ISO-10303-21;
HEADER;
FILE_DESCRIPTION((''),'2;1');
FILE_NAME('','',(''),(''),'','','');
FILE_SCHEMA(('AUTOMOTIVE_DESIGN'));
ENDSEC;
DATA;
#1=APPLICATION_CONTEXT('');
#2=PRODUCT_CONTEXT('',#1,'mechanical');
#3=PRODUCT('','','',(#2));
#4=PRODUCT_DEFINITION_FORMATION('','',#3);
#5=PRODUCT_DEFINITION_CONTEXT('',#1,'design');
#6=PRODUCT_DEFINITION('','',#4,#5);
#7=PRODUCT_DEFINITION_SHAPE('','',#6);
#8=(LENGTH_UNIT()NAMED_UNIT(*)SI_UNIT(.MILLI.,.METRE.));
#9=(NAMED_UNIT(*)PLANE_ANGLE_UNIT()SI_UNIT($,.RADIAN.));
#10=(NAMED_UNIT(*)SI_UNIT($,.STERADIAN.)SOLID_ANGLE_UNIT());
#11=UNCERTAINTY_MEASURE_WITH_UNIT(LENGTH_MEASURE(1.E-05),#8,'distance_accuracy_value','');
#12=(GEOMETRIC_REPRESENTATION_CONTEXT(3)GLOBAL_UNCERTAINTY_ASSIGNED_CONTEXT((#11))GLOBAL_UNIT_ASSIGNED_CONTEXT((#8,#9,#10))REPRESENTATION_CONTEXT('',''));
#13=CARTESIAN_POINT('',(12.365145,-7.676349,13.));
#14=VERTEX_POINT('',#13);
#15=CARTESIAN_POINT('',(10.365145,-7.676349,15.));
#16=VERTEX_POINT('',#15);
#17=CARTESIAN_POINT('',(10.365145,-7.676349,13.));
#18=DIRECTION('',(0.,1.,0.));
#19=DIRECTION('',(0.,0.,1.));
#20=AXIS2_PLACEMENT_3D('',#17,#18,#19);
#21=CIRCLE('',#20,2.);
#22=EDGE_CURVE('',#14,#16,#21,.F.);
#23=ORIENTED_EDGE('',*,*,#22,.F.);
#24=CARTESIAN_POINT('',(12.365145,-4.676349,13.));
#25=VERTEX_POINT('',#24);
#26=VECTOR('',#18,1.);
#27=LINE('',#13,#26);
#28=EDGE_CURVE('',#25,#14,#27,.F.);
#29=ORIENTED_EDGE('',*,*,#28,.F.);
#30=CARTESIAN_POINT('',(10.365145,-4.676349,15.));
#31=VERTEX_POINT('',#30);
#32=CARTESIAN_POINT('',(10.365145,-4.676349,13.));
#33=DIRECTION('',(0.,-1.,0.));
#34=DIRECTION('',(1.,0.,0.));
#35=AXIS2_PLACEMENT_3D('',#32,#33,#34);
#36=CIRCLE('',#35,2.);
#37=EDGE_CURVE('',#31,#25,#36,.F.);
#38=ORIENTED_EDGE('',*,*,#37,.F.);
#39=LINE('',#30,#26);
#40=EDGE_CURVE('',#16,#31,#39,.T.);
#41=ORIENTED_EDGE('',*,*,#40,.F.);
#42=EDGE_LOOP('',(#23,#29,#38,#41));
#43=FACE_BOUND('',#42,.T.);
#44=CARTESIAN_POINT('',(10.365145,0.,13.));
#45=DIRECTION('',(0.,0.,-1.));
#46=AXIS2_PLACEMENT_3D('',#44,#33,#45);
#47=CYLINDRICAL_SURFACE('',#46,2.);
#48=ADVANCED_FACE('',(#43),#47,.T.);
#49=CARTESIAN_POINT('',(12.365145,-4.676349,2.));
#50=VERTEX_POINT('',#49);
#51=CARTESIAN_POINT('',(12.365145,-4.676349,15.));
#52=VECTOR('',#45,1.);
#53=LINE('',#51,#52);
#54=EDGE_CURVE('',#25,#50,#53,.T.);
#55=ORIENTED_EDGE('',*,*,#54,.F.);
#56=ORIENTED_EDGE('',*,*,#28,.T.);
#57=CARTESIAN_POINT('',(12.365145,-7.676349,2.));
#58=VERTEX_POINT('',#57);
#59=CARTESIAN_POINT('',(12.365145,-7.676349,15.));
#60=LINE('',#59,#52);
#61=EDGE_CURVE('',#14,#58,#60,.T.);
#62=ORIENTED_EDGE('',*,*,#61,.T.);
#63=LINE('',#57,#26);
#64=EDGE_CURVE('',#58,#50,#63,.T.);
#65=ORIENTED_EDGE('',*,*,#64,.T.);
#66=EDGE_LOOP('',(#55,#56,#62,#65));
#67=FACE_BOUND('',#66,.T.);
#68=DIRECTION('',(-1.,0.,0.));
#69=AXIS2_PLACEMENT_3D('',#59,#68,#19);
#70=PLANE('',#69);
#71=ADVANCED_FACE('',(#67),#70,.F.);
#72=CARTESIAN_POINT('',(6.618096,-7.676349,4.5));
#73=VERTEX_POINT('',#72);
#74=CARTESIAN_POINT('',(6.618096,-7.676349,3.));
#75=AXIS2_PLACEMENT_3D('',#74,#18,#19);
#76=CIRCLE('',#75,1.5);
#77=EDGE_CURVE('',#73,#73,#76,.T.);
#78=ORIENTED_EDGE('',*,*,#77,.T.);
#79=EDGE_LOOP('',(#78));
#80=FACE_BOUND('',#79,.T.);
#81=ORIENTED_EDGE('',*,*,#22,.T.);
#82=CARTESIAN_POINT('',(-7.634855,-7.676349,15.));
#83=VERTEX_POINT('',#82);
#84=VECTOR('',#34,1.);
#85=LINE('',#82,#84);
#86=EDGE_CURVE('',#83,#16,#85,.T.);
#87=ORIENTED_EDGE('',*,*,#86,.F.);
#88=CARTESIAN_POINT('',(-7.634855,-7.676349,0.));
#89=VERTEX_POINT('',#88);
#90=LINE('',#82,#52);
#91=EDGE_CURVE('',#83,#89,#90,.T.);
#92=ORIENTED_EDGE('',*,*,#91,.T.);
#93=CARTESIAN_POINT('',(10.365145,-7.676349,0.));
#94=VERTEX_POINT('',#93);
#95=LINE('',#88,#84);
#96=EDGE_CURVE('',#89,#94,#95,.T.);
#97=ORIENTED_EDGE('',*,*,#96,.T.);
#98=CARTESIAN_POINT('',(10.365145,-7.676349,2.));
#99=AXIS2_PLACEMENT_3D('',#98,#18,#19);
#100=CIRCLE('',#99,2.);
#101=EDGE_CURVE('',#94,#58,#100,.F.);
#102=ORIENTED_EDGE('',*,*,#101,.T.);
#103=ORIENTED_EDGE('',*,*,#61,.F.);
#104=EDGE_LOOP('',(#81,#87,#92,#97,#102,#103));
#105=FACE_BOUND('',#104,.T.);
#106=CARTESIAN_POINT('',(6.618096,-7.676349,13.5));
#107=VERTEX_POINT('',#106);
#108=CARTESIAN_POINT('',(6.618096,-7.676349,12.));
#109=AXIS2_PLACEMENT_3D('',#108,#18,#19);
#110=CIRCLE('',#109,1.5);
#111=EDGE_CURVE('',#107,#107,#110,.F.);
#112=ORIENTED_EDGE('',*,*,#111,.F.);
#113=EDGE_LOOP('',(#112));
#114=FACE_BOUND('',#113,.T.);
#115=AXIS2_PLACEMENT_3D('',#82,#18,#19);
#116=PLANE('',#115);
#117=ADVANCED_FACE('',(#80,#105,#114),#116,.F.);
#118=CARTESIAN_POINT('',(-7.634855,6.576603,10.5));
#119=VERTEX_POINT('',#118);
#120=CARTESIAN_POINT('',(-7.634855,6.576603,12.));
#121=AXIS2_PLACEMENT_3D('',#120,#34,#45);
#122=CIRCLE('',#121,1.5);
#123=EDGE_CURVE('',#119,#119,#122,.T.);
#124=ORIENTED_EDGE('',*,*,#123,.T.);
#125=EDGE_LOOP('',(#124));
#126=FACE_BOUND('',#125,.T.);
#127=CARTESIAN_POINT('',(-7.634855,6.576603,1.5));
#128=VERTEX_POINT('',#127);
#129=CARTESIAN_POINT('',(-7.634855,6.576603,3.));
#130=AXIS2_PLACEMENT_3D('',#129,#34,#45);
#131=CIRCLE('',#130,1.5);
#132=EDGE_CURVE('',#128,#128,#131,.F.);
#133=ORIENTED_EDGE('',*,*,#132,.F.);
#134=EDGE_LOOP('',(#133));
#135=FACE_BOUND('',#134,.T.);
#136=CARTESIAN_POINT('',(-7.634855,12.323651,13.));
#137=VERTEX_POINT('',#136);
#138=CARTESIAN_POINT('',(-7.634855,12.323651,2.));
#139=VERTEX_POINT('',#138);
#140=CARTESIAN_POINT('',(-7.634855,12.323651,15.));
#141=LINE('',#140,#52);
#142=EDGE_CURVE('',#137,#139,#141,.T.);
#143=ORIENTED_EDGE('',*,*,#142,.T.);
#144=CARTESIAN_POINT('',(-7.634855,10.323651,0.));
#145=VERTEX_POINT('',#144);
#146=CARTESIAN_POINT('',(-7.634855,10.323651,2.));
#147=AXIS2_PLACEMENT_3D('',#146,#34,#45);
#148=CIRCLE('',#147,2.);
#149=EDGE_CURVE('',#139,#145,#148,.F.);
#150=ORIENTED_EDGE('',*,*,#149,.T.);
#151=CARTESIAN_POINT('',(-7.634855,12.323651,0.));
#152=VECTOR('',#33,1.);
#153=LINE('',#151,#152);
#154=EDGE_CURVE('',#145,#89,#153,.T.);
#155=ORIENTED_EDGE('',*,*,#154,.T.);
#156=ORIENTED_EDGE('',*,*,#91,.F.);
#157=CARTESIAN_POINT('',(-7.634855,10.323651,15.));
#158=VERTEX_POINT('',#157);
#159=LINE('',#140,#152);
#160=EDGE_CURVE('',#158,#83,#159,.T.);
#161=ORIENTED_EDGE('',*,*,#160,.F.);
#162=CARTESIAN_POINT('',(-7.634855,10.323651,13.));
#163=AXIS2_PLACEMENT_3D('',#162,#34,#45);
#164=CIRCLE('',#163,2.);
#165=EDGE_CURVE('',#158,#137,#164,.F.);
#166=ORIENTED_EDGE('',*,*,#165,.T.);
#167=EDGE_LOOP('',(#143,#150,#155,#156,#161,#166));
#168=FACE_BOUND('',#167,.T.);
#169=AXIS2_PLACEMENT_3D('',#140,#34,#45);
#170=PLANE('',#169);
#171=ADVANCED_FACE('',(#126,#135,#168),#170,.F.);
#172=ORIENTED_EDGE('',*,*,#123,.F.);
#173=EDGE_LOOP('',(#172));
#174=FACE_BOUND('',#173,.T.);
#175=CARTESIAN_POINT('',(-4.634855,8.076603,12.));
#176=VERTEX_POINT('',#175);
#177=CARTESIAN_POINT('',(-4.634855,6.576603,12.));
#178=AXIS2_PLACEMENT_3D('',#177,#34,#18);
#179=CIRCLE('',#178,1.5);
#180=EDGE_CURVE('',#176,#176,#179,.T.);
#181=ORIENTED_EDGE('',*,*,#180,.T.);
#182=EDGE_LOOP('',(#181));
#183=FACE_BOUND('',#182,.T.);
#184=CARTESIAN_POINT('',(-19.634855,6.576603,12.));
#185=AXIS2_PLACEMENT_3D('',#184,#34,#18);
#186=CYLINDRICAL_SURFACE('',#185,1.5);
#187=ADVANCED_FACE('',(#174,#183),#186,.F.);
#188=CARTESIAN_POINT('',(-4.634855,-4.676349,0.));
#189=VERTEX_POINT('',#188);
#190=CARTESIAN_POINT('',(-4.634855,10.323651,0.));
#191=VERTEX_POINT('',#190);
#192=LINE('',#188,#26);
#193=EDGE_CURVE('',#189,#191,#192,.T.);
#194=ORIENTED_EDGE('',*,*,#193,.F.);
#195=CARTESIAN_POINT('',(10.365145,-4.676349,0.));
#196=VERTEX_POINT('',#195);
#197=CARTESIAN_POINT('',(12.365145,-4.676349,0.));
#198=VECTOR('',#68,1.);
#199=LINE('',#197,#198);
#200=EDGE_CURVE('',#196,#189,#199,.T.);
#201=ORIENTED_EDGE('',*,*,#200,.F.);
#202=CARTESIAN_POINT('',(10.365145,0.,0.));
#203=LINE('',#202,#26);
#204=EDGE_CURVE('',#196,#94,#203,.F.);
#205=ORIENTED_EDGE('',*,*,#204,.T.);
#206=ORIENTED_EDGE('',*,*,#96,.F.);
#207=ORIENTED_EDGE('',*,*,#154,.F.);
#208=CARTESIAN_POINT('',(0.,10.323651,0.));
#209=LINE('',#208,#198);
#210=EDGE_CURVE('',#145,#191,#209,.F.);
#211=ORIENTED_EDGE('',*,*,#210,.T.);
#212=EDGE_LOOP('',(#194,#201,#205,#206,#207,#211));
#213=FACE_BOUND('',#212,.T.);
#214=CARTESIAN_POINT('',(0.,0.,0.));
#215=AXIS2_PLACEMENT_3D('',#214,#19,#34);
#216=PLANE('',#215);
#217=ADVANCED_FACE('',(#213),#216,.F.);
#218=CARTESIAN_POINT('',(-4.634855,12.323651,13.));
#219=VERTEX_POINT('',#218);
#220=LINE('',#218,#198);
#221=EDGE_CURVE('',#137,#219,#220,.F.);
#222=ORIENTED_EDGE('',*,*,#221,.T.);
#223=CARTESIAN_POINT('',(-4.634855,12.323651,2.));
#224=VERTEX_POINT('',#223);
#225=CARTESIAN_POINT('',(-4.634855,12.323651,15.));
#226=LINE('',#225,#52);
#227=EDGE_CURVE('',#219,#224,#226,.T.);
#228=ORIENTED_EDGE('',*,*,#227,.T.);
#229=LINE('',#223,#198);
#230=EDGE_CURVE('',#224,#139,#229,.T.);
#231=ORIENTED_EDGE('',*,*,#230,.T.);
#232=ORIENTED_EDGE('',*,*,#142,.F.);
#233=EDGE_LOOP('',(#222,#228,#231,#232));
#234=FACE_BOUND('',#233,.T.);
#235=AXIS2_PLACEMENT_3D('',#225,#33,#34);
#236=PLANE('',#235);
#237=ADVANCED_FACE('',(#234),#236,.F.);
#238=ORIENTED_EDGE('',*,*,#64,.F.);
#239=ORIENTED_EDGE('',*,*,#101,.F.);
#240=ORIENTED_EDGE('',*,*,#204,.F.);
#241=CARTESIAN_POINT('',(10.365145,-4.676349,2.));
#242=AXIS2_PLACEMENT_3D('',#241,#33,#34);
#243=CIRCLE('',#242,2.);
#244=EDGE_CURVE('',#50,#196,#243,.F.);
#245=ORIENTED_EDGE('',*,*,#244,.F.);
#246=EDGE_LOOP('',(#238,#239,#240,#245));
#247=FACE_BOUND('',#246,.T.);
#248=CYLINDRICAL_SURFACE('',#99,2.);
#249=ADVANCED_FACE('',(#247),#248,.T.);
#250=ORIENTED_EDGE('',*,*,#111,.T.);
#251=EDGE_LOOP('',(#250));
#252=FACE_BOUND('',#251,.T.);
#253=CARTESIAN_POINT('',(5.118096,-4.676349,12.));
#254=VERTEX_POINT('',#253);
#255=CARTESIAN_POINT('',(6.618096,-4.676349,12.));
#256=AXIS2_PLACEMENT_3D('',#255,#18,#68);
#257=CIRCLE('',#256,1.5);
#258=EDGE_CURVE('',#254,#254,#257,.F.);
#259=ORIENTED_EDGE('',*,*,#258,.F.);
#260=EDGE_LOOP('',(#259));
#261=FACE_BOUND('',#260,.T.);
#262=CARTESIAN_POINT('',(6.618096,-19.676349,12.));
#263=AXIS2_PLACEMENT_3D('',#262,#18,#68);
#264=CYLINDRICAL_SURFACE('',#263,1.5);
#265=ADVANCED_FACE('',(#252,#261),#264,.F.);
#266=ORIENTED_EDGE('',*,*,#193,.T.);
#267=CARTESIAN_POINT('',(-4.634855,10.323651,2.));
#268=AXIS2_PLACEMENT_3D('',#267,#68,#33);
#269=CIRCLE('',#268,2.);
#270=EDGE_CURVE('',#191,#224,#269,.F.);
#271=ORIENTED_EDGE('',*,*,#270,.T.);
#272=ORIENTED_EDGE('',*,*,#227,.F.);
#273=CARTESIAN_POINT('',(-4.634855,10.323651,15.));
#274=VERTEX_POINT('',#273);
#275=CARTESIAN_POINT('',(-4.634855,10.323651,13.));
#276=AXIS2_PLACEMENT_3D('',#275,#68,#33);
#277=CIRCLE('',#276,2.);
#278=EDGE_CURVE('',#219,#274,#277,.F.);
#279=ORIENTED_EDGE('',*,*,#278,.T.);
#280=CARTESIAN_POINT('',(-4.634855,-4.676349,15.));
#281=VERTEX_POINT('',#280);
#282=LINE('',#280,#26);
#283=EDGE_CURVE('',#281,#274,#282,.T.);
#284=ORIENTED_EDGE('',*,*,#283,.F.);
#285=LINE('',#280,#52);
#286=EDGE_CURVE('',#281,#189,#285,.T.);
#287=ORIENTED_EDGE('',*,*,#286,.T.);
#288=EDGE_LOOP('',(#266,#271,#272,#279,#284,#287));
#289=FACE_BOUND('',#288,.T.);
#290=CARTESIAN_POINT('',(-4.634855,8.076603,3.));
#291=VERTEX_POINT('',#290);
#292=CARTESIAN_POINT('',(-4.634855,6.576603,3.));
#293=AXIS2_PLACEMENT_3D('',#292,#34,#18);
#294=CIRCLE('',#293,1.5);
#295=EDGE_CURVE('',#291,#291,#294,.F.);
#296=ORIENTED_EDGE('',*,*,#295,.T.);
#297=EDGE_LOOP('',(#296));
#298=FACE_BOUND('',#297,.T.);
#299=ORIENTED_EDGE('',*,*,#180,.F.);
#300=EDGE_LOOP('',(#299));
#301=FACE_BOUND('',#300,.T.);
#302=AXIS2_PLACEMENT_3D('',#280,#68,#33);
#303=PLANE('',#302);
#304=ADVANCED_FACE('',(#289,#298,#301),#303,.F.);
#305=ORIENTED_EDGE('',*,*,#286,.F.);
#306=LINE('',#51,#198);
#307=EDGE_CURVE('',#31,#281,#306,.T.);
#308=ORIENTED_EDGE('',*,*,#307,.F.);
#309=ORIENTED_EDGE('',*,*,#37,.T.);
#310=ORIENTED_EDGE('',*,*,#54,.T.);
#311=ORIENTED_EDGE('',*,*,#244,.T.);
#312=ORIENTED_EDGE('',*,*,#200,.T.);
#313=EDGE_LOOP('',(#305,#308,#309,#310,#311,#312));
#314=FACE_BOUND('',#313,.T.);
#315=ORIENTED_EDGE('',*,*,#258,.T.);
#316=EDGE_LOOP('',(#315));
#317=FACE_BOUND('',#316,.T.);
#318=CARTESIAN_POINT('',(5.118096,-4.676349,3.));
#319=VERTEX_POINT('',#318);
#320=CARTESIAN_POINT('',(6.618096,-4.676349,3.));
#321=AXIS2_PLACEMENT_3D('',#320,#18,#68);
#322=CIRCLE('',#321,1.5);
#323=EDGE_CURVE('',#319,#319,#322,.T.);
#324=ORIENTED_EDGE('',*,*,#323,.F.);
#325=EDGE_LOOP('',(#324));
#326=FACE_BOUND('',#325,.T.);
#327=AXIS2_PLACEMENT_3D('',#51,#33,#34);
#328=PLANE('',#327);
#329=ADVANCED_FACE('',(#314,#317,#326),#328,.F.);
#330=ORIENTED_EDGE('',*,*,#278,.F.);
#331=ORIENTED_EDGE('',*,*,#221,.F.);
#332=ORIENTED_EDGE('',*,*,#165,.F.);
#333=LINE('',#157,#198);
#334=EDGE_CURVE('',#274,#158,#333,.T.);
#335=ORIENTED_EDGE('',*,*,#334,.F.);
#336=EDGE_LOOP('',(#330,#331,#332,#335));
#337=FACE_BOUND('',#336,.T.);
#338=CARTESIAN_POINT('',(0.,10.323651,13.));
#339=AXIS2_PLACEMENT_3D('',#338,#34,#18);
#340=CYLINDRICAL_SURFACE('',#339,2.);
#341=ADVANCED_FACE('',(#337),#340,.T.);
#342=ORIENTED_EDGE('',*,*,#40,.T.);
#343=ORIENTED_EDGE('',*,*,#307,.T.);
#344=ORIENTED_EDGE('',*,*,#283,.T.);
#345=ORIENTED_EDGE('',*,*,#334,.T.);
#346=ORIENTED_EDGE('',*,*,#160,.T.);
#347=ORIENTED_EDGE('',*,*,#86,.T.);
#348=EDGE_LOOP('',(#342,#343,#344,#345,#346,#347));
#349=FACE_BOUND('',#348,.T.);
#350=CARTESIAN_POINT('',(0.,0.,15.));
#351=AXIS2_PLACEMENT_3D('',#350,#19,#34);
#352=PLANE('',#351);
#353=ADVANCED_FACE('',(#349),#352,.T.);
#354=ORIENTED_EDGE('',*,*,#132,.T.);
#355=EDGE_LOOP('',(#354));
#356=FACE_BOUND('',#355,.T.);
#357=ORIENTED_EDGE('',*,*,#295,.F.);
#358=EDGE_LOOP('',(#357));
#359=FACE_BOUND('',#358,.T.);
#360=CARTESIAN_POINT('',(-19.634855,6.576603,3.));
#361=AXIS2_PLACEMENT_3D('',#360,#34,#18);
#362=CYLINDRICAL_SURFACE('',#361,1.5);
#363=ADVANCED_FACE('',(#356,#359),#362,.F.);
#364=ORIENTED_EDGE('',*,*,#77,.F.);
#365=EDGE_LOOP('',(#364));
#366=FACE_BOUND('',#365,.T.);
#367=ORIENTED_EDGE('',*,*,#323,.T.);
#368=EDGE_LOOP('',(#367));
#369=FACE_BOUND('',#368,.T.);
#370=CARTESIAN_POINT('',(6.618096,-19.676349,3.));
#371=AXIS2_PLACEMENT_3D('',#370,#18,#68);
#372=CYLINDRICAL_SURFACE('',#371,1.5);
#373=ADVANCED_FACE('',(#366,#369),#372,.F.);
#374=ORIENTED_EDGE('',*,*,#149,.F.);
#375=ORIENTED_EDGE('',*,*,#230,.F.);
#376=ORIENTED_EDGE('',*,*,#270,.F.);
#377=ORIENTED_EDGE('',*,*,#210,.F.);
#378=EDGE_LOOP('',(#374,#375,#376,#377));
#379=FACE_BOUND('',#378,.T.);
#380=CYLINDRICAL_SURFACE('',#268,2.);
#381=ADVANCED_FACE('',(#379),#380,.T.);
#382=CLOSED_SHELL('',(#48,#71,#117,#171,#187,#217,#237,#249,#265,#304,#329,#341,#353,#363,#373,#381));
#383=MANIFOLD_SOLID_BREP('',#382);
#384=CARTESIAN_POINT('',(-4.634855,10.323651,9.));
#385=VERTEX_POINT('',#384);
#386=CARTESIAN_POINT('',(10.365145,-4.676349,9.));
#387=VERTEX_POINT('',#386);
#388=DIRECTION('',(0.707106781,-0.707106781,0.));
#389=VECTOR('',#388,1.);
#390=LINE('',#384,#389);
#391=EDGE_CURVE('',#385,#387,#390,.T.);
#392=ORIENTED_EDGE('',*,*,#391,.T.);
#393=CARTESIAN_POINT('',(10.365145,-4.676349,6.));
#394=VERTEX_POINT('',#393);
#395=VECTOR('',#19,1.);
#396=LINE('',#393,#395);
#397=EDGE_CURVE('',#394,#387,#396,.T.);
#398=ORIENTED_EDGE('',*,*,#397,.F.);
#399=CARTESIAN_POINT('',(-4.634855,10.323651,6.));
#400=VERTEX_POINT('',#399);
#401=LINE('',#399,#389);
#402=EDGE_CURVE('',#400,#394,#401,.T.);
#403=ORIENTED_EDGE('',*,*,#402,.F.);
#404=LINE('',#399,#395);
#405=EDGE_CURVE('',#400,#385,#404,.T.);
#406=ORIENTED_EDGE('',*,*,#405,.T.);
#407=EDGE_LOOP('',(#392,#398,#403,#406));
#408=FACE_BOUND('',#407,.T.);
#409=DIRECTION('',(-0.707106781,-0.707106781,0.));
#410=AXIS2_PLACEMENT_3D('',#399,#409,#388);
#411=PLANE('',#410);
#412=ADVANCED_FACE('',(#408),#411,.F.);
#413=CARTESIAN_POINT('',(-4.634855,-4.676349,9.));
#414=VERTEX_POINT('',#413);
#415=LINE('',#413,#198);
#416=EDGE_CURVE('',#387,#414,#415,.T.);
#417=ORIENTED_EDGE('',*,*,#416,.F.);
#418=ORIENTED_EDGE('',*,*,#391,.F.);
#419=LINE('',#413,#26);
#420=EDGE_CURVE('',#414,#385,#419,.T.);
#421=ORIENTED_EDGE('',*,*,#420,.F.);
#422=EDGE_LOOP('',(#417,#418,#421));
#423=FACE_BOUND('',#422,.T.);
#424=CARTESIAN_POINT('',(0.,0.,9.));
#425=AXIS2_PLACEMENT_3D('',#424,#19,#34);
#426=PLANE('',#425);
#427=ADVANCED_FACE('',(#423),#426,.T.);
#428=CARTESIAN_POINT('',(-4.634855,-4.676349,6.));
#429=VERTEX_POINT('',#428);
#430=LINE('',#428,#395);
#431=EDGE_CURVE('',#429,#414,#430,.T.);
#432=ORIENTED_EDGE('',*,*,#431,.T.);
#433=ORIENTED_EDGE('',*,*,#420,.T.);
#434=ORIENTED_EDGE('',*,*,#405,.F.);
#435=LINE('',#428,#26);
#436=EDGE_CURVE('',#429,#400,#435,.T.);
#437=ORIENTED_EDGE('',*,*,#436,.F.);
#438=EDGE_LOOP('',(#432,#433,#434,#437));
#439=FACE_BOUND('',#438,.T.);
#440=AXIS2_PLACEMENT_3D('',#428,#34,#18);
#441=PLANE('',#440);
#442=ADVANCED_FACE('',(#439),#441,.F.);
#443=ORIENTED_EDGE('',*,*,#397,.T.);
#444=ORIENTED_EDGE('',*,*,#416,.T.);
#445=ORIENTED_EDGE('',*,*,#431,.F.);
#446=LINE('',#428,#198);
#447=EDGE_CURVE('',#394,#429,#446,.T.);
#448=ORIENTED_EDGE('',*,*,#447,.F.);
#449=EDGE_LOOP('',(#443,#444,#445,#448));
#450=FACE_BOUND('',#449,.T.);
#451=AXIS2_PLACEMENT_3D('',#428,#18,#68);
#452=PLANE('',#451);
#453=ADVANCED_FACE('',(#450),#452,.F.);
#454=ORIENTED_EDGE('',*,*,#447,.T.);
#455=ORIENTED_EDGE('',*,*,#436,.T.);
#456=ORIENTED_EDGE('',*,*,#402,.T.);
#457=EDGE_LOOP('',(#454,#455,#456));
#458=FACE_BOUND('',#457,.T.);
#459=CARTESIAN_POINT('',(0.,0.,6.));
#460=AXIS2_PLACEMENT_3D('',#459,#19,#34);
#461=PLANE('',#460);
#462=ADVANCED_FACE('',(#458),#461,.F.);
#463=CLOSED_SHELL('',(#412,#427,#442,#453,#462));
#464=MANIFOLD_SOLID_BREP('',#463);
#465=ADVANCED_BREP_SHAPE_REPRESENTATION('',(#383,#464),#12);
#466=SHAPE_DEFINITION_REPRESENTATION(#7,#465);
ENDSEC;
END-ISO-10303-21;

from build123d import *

# Parameters (mm, degrees)
BOSS_EXTRUDE1_DEPTH = 15
GUSSET1_THICKNESS   = 3
SKETCH3_R           = 1.5
CUT_EXTRUDE1_DEPTH  = 15
SKETCH4_R           = 1.5
CUT_EXTRUDE2_DEPTH  = 15
FILLET1_R           = 2


with BuildPart() as part:
    # Sketch1 → Boss-Extrude1 (new body)
    with BuildSketch(Plane.XY):
        Polygon((-7.634854772, 12.323651452), (-7.634854772, -7.676348548), (12.365145228, -7.676348548), (12.365145228, -4.676348548), (-4.634854772, -4.676348548), (-4.634854772, 12.323651452), align=None)
    extrude(amount=BOSS_EXTRUDE1_DEPTH)

    # Sketch3 → Cut-Extrude1 (cut)
    with BuildSketch(Plane(origin=(-4.634854772, 0, 0), x_dir=(0, 0, -1), z_dir=(1, 0, 0))):
        with BuildLine():
            ThreePointArc((-10.5, 6.576602629), (-10.939339828, 7.637262801), (-12, 8.076602629))
            Line((-12, 8.076602629), (-12, 5.076602629))
            ThreePointArc((-12, 5.076602629), (-10.939339828, 5.515942457), (-10.5, 6.576602629))
        make_face()
        with BuildLine():
            Line((-12, 5.076602629), (-12, 8.076602629))
            ThreePointArc((-12, 8.076602629), (-13.5, 6.576602629), (-12, 5.076602629))
        make_face()
        with Locations(Location((-3, 6.576602629, 0), (0, 0, 90))):
            Circle(SKETCH3_R)
    extrude(amount=-CUT_EXTRUDE1_DEPTH, mode=Mode.SUBTRACT)

    # Sketch4 → Cut-Extrude2 (cut)
    with BuildSketch(Plane(origin=(0, -4.676348548, 0), x_dir=(1, 0, 0), z_dir=(0, 1, 0))):
        with BuildLine():
            ThreePointArc((5.118096405, -3), (6.618096405, -4.5), (8.118096405, -3))
            Line((8.118096405, -3), (5.118096405, -3))
        make_face()
        with BuildLine():
            Line((5.118096405, -3), (8.118096405, -3))
            ThreePointArc((8.118096405, -3), (6.618096405, -1.5), (5.118096405, -3))
        make_face()
        with Locations(Location((6.618096405, -12, 0), (0, 0, 180))):
            Circle(SKETCH4_R)
    extrude(amount=-CUT_EXTRUDE2_DEPTH, mode=Mode.SUBTRACT)

    # Fillet1
    fillet1_edges = [part.edges().sort_by_distance(p)[0] for p in [
        (12.365145228, -6.176348548, 15),
        (-6.134854772, 12.323651452, 15),
        (12.365145228, -6.176348548, 0),
        (-6.134854772, 12.323651452, 0),
    ]]
    fillet(fillet1_edges, radius=FILLET1_R)


with BuildPart() as body_2:
    # Gusset1: a gusset: a plate 3.0 thick in the corner of two members, its outline drawn in place
    gusset1_outline = Wire([Line((-4.634854772, -4.676348548, 6), (-4.634854772, 10.323651452, 6)), Line((-4.634854772, 10.323651452, 6), (10.365145228, -4.676348548, 6)), Line((10.365145228, -4.676348548, 6), (-4.634854772, -4.676348548, 6))])
    add(extrude(Face(gusset1_outline), amount=GUSSET1_THICKNESS, dir=(0, 0, 1)))


solid = Compound([part.part, body_2.part])
